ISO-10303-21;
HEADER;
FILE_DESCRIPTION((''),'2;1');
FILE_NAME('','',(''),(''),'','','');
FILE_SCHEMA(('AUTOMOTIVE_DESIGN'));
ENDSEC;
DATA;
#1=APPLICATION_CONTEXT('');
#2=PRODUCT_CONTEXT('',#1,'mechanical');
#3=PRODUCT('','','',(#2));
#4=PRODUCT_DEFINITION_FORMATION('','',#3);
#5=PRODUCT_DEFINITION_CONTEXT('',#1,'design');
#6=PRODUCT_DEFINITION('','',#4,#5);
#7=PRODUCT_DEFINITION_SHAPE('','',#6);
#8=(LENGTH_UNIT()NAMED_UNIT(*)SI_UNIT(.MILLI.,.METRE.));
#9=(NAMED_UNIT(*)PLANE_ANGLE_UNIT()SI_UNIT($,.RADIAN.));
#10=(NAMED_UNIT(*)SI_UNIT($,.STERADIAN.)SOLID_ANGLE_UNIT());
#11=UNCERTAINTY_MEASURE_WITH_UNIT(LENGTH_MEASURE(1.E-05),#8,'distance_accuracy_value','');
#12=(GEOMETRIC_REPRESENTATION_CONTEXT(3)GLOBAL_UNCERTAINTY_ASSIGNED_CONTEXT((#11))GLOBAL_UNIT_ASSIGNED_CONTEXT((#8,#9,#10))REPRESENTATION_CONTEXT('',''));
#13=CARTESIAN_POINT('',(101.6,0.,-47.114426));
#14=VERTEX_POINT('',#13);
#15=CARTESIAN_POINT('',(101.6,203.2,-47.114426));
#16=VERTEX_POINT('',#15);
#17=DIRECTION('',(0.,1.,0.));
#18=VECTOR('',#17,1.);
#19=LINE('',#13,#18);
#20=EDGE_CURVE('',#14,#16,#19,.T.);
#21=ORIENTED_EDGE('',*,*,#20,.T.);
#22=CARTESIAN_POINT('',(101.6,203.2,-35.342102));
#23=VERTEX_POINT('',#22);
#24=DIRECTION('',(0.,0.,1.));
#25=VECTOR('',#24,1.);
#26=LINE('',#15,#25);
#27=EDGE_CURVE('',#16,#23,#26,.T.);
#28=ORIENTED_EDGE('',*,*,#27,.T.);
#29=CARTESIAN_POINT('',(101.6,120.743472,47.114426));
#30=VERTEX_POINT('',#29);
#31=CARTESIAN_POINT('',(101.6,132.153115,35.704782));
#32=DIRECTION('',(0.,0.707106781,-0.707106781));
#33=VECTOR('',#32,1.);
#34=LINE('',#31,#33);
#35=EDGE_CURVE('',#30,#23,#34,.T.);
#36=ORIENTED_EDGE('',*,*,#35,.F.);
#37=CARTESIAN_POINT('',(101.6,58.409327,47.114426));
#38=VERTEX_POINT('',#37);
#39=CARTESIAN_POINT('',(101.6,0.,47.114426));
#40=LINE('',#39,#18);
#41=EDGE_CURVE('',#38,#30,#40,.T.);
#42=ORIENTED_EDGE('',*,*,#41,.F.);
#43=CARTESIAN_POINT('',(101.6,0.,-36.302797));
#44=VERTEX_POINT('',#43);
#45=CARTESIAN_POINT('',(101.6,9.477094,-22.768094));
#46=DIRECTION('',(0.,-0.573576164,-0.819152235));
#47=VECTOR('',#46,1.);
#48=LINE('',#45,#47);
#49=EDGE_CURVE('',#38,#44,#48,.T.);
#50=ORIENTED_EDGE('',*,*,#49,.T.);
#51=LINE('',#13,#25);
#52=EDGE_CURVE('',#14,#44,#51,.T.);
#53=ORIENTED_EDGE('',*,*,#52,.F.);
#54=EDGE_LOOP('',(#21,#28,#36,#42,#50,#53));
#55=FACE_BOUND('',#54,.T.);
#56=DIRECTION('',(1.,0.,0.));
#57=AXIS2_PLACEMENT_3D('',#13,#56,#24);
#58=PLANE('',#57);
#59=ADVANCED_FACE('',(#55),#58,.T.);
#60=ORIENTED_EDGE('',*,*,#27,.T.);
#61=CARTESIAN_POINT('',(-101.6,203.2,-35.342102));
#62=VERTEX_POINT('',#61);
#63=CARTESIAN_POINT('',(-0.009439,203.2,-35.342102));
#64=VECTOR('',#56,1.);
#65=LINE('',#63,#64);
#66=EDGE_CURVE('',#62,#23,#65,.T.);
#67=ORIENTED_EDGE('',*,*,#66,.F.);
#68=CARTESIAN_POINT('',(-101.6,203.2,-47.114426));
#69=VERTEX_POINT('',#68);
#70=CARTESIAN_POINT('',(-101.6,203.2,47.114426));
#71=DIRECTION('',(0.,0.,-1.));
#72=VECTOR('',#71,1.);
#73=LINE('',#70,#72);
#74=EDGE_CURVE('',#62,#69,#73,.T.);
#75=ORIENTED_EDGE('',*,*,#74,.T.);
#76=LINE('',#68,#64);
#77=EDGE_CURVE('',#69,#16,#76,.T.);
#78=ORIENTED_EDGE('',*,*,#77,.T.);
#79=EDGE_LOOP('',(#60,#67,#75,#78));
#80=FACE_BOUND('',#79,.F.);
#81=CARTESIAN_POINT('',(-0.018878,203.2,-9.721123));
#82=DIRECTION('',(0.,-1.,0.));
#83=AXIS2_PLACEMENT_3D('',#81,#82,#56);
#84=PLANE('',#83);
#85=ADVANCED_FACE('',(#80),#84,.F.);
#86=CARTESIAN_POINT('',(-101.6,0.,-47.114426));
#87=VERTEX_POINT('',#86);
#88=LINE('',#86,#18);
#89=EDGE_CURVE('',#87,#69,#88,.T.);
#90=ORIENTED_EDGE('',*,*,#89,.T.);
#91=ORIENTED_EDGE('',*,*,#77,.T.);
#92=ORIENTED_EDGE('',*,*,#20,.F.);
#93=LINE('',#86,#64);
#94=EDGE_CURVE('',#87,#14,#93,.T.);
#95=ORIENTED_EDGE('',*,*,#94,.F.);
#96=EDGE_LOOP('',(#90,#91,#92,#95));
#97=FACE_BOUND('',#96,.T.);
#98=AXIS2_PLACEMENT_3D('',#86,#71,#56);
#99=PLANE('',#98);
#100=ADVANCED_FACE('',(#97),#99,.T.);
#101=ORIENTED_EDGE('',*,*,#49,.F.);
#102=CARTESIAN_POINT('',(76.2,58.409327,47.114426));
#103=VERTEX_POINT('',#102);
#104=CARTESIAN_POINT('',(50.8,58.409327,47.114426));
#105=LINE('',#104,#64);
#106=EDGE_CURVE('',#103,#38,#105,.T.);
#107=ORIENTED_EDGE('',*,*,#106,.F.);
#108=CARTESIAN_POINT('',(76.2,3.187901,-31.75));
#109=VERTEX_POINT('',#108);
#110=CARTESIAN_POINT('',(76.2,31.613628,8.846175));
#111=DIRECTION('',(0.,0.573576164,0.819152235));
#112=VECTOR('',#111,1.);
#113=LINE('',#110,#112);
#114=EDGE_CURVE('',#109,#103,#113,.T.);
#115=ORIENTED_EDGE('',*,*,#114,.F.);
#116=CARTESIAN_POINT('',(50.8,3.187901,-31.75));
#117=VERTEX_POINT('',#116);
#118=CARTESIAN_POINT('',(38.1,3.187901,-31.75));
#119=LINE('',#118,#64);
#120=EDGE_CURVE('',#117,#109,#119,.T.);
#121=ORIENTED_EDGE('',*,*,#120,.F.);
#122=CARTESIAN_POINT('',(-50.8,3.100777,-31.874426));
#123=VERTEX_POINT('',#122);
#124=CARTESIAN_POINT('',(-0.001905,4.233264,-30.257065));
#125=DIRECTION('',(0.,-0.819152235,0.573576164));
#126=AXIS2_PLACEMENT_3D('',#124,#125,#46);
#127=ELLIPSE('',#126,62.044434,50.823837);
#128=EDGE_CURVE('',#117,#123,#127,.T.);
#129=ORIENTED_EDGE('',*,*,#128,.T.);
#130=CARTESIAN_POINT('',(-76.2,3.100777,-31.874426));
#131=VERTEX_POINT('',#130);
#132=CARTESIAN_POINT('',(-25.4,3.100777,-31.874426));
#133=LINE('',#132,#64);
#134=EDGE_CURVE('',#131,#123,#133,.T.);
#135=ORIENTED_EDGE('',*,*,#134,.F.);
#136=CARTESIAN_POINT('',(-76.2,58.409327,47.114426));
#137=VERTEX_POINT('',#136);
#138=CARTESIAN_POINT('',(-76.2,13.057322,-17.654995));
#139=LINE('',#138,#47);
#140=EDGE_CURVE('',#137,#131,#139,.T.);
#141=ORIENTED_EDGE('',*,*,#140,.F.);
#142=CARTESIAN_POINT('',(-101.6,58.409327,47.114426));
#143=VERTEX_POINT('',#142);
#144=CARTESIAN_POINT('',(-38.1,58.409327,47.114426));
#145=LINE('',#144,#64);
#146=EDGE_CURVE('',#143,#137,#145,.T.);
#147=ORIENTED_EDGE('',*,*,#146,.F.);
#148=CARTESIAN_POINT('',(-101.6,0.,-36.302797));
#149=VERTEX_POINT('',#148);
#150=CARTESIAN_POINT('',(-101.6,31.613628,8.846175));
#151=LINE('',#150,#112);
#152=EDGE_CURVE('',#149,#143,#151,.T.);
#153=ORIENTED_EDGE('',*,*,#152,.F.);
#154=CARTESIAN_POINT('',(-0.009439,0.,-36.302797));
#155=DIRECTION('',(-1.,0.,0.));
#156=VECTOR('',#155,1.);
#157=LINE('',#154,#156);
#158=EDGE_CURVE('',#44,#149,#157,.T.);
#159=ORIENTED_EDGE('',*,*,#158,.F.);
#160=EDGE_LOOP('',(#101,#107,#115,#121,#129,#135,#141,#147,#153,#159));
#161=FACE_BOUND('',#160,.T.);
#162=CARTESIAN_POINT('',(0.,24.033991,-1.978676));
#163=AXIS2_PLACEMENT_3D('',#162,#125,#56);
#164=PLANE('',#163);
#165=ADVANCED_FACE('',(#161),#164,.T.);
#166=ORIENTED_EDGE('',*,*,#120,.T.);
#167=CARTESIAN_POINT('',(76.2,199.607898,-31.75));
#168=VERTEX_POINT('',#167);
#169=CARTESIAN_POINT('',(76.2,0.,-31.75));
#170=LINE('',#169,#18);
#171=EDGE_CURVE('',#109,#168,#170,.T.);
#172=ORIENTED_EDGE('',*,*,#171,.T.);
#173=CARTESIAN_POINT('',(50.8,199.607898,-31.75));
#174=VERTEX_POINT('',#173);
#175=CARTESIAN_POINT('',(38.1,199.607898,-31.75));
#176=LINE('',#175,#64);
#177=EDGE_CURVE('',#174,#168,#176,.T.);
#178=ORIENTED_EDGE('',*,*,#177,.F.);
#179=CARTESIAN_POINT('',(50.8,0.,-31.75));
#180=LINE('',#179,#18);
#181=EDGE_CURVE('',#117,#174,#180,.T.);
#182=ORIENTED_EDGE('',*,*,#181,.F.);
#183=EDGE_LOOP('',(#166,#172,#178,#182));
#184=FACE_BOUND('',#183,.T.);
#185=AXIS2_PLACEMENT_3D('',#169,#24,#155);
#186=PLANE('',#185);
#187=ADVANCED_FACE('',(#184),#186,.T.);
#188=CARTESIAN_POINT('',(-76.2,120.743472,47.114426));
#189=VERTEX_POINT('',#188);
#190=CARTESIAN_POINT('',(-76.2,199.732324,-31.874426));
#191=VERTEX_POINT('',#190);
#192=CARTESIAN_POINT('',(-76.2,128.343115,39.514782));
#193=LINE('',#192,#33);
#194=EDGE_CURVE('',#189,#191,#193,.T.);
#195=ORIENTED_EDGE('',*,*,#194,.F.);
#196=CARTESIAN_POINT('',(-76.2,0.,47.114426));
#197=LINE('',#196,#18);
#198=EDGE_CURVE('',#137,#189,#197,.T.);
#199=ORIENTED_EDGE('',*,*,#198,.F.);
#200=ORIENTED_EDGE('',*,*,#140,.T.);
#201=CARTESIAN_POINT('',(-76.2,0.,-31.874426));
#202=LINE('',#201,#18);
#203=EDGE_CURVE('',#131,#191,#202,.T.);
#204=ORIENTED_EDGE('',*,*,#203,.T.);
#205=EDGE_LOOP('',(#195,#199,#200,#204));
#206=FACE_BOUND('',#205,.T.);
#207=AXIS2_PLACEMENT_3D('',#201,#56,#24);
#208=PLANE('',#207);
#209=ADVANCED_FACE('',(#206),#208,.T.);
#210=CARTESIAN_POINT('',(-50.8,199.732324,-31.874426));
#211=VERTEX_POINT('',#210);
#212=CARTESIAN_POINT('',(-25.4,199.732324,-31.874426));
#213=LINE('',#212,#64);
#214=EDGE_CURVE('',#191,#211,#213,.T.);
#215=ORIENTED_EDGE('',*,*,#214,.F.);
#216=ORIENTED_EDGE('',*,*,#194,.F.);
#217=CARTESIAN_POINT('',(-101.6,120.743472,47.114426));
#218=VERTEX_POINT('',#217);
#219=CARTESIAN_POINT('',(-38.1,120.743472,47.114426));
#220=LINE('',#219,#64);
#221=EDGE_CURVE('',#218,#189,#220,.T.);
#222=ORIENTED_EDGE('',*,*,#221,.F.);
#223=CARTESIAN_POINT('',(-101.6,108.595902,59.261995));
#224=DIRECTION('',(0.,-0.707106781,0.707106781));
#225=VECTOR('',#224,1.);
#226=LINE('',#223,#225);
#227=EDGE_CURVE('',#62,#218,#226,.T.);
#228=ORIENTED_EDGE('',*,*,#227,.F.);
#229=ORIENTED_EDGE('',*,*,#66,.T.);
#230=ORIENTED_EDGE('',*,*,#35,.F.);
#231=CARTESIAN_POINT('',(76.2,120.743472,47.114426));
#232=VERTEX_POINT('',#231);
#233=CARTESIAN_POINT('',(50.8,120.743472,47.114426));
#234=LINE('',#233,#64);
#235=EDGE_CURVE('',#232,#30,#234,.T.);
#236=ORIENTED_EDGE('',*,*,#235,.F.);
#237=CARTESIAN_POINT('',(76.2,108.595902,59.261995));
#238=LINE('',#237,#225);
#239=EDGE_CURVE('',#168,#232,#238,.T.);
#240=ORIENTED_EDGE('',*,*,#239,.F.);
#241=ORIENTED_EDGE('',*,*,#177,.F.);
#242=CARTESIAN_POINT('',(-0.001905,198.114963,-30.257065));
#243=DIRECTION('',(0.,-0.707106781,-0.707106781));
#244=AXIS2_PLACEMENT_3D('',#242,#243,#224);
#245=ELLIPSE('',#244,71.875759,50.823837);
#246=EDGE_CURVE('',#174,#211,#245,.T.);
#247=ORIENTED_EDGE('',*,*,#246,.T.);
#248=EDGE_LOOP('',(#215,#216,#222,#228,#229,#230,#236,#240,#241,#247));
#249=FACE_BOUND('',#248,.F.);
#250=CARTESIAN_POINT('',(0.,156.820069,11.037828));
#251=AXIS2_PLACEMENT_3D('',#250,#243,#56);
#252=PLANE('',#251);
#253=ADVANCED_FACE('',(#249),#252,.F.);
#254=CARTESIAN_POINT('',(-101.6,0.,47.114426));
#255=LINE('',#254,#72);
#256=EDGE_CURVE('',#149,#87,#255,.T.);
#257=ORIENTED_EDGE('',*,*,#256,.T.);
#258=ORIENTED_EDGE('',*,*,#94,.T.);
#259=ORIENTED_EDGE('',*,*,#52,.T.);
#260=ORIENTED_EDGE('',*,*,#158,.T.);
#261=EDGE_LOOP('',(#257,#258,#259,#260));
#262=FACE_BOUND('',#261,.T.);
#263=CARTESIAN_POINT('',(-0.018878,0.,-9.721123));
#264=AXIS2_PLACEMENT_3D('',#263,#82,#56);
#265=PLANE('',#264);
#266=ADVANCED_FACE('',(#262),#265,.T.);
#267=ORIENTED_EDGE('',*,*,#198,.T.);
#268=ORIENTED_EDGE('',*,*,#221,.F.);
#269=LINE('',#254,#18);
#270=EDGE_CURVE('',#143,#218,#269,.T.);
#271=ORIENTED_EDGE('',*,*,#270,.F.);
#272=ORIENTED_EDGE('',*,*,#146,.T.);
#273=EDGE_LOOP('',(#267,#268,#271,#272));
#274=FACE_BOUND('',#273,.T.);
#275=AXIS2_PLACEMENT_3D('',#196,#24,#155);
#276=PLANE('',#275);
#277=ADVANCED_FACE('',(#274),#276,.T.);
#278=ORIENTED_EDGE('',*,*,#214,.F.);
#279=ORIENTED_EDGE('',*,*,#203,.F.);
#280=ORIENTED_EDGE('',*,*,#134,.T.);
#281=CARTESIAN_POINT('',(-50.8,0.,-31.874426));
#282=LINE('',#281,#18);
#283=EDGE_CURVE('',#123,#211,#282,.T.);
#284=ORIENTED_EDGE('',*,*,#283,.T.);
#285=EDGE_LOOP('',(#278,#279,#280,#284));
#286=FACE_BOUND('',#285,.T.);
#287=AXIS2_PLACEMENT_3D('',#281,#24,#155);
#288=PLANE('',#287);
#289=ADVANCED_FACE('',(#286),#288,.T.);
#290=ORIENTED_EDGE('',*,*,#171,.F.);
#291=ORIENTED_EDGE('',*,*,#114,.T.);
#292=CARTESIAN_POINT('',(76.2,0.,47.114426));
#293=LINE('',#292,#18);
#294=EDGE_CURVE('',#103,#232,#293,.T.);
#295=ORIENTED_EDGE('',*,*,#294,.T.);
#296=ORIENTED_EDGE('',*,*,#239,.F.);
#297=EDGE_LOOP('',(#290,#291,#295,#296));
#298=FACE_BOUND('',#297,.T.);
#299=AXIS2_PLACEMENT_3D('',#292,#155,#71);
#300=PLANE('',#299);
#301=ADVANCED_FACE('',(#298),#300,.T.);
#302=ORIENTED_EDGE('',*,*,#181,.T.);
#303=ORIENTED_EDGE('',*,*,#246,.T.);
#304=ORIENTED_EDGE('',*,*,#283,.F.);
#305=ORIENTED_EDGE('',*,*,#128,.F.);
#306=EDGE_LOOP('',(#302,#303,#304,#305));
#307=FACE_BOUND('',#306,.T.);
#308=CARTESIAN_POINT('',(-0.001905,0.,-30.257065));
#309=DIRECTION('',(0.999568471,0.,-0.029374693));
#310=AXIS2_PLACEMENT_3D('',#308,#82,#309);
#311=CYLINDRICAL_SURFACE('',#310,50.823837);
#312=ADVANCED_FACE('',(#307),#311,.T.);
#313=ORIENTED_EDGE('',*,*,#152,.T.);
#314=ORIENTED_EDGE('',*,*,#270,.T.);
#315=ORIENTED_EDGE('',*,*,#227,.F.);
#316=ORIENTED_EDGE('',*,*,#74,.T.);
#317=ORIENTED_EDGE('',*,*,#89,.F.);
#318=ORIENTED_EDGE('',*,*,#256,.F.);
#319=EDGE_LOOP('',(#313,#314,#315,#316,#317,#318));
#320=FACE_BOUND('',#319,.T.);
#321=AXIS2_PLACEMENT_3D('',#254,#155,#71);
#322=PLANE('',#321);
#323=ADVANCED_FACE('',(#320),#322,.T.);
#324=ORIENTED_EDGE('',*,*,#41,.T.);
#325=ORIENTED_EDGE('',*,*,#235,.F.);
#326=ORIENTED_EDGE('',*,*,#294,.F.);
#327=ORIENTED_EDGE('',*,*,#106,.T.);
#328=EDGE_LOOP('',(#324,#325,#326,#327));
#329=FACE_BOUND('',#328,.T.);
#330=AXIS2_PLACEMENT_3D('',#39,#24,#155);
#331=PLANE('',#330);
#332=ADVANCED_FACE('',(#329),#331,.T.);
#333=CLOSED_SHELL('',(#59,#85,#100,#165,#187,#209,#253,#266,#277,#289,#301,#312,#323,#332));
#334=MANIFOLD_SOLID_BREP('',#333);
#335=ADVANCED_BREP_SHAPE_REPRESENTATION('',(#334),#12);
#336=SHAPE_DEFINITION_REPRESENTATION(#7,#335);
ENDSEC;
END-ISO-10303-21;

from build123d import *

# Parameters (mm, degrees)
F1_DEPTH  = 203.2
F3_W      = 243.94399
F3_H      = 236.642776
F4_DEPTH  = 50.8
F5_W      = 239.845752
F5_H      = 209.126156
F6_DEPTH  = 2.54
F8_W      = 249.582366
F8_H      = 241.68387
F9_DEPTH  = 76.2
F10_W     = 220.484912
F10_H     = 208.068371
F11_DEPTH = 2.54


with BuildPart() as f1:
    # F0 (on Front) → F1 (new body)
    with BuildSketch(Plane.XZ):
        with BuildLine():
            Line((-101.6, -47.114426), (101.6, -47.114426))
            Line((101.6, -47.114426), (101.6, 47.114426))
            Line((101.6, 47.114426), (76.2, 47.114426))
            Line((76.2, 47.114426), (76.2, -31.75))
            Line((76.2, -31.75), (50.8, -31.75))
            ThreePointArc((50.8, -31.75), (-0.064147, 20.566733), (-50.8, -31.874426))
            Line((-50.8, -31.874426), (-76.2, -31.874426))
            Line((-76.2, -31.874426), (-76.2, 47.114426))
            Line((-76.2, 47.114426), (-101.6, 47.114426))
            Line((-101.6, 47.114426), (-101.6, -31.874426))
            Line((-101.6, -31.874426), (-101.6, -47.114426))
        make_face()
    extrude(amount=-F1_DEPTH)

    # F3 (on face) → F4 (cut)
    with BuildSketch(Plane(origin=(0, 14.976081, -10.486365), x_dir=(1, 0, 0), z_dir=(0, -0.819152, 0.573576))):
        with Locations((0, 12.914947)):
            Rectangle(F3_W, F3_H)
    extrude(amount=F4_DEPTH, mode=Mode.SUBTRACT)

    # F5 (on face) → F6 (cut)
    with BuildSketch(Plane(origin=(0, 14.976081, -10.486365), x_dir=(1, 0, 0), z_dir=(0, -0.819152, 0.573576))):
        with Locations((0, 12.164494)):
            Rectangle(F5_W, F5_H)
    extrude(amount=-F6_DEPTH, mode=Mode.SUBTRACT)

    # F8 (on face) → F9 (cut)
    with BuildSketch(Plane(origin=(0, 85.725, 85.725), x_dir=(1, 0, 0), z_dir=(0, -0.707107, -0.707107))):
        with Locations((0, -104.242772)):
            Rectangle(F8_W, F8_H)
    extrude(amount=-F9_DEPTH, mode=Mode.SUBTRACT)

    # F10 (on face) → F11 (cut)
    with BuildSketch(Plane(origin=(0, 85.725, 85.725), x_dir=(1, 0, 0), z_dir=(0, -0.707107, -0.707107))):
        with Locations((0, -103.083611)):
            Rectangle(F10_W, F10_H)
    extrude(amount=F11_DEPTH, mode=Mode.SUBTRACT)


solid = f1.part
